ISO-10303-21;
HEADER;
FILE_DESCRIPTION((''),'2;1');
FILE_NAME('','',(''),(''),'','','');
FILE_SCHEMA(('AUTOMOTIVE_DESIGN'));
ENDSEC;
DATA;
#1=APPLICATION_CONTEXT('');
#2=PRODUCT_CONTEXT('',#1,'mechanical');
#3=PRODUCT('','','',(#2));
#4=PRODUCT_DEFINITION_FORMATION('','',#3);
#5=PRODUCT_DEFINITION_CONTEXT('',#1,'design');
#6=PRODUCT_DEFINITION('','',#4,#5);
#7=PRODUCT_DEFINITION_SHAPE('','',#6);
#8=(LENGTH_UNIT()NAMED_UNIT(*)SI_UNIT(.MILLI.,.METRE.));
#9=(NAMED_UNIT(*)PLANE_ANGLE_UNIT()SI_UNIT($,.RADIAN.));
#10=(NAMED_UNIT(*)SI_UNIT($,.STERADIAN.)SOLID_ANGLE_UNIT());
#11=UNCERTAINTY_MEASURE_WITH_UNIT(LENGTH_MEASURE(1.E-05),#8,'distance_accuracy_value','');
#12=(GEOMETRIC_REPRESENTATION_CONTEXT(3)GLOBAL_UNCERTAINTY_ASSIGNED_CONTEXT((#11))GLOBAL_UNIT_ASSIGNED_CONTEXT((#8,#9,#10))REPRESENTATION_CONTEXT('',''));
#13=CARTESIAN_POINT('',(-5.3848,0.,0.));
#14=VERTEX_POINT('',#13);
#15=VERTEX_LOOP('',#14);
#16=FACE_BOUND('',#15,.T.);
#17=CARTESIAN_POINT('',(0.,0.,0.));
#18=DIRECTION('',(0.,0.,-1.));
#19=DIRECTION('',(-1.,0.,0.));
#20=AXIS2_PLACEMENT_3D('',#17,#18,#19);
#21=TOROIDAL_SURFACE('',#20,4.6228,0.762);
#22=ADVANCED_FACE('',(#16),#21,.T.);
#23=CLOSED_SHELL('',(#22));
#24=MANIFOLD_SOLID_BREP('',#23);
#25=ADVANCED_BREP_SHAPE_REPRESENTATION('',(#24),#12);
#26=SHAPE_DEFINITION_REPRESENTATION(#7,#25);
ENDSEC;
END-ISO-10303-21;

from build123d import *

# Parameters (mm, degrees)
SKETCH2_R = 0.762


with BuildPart() as part:
    # Base-Sweep: sweep along a path in Sketch1
    with BuildLine(Plane.XY) as base_sweep_path:
        CenterArc((0, 0), 4.6228, 0, 360)
    # Sketch2 → Base-Sweep (sweep)
    with BuildSketch(Plane(origin=(0, 0, 0), x_dir=(1, 0, 0), z_dir=(0, 1, 0))):
        with Locations((4.6228, 0)):
            Circle(SKETCH2_R)
    sweep(path=base_sweep_path.line)


solid = part.part
